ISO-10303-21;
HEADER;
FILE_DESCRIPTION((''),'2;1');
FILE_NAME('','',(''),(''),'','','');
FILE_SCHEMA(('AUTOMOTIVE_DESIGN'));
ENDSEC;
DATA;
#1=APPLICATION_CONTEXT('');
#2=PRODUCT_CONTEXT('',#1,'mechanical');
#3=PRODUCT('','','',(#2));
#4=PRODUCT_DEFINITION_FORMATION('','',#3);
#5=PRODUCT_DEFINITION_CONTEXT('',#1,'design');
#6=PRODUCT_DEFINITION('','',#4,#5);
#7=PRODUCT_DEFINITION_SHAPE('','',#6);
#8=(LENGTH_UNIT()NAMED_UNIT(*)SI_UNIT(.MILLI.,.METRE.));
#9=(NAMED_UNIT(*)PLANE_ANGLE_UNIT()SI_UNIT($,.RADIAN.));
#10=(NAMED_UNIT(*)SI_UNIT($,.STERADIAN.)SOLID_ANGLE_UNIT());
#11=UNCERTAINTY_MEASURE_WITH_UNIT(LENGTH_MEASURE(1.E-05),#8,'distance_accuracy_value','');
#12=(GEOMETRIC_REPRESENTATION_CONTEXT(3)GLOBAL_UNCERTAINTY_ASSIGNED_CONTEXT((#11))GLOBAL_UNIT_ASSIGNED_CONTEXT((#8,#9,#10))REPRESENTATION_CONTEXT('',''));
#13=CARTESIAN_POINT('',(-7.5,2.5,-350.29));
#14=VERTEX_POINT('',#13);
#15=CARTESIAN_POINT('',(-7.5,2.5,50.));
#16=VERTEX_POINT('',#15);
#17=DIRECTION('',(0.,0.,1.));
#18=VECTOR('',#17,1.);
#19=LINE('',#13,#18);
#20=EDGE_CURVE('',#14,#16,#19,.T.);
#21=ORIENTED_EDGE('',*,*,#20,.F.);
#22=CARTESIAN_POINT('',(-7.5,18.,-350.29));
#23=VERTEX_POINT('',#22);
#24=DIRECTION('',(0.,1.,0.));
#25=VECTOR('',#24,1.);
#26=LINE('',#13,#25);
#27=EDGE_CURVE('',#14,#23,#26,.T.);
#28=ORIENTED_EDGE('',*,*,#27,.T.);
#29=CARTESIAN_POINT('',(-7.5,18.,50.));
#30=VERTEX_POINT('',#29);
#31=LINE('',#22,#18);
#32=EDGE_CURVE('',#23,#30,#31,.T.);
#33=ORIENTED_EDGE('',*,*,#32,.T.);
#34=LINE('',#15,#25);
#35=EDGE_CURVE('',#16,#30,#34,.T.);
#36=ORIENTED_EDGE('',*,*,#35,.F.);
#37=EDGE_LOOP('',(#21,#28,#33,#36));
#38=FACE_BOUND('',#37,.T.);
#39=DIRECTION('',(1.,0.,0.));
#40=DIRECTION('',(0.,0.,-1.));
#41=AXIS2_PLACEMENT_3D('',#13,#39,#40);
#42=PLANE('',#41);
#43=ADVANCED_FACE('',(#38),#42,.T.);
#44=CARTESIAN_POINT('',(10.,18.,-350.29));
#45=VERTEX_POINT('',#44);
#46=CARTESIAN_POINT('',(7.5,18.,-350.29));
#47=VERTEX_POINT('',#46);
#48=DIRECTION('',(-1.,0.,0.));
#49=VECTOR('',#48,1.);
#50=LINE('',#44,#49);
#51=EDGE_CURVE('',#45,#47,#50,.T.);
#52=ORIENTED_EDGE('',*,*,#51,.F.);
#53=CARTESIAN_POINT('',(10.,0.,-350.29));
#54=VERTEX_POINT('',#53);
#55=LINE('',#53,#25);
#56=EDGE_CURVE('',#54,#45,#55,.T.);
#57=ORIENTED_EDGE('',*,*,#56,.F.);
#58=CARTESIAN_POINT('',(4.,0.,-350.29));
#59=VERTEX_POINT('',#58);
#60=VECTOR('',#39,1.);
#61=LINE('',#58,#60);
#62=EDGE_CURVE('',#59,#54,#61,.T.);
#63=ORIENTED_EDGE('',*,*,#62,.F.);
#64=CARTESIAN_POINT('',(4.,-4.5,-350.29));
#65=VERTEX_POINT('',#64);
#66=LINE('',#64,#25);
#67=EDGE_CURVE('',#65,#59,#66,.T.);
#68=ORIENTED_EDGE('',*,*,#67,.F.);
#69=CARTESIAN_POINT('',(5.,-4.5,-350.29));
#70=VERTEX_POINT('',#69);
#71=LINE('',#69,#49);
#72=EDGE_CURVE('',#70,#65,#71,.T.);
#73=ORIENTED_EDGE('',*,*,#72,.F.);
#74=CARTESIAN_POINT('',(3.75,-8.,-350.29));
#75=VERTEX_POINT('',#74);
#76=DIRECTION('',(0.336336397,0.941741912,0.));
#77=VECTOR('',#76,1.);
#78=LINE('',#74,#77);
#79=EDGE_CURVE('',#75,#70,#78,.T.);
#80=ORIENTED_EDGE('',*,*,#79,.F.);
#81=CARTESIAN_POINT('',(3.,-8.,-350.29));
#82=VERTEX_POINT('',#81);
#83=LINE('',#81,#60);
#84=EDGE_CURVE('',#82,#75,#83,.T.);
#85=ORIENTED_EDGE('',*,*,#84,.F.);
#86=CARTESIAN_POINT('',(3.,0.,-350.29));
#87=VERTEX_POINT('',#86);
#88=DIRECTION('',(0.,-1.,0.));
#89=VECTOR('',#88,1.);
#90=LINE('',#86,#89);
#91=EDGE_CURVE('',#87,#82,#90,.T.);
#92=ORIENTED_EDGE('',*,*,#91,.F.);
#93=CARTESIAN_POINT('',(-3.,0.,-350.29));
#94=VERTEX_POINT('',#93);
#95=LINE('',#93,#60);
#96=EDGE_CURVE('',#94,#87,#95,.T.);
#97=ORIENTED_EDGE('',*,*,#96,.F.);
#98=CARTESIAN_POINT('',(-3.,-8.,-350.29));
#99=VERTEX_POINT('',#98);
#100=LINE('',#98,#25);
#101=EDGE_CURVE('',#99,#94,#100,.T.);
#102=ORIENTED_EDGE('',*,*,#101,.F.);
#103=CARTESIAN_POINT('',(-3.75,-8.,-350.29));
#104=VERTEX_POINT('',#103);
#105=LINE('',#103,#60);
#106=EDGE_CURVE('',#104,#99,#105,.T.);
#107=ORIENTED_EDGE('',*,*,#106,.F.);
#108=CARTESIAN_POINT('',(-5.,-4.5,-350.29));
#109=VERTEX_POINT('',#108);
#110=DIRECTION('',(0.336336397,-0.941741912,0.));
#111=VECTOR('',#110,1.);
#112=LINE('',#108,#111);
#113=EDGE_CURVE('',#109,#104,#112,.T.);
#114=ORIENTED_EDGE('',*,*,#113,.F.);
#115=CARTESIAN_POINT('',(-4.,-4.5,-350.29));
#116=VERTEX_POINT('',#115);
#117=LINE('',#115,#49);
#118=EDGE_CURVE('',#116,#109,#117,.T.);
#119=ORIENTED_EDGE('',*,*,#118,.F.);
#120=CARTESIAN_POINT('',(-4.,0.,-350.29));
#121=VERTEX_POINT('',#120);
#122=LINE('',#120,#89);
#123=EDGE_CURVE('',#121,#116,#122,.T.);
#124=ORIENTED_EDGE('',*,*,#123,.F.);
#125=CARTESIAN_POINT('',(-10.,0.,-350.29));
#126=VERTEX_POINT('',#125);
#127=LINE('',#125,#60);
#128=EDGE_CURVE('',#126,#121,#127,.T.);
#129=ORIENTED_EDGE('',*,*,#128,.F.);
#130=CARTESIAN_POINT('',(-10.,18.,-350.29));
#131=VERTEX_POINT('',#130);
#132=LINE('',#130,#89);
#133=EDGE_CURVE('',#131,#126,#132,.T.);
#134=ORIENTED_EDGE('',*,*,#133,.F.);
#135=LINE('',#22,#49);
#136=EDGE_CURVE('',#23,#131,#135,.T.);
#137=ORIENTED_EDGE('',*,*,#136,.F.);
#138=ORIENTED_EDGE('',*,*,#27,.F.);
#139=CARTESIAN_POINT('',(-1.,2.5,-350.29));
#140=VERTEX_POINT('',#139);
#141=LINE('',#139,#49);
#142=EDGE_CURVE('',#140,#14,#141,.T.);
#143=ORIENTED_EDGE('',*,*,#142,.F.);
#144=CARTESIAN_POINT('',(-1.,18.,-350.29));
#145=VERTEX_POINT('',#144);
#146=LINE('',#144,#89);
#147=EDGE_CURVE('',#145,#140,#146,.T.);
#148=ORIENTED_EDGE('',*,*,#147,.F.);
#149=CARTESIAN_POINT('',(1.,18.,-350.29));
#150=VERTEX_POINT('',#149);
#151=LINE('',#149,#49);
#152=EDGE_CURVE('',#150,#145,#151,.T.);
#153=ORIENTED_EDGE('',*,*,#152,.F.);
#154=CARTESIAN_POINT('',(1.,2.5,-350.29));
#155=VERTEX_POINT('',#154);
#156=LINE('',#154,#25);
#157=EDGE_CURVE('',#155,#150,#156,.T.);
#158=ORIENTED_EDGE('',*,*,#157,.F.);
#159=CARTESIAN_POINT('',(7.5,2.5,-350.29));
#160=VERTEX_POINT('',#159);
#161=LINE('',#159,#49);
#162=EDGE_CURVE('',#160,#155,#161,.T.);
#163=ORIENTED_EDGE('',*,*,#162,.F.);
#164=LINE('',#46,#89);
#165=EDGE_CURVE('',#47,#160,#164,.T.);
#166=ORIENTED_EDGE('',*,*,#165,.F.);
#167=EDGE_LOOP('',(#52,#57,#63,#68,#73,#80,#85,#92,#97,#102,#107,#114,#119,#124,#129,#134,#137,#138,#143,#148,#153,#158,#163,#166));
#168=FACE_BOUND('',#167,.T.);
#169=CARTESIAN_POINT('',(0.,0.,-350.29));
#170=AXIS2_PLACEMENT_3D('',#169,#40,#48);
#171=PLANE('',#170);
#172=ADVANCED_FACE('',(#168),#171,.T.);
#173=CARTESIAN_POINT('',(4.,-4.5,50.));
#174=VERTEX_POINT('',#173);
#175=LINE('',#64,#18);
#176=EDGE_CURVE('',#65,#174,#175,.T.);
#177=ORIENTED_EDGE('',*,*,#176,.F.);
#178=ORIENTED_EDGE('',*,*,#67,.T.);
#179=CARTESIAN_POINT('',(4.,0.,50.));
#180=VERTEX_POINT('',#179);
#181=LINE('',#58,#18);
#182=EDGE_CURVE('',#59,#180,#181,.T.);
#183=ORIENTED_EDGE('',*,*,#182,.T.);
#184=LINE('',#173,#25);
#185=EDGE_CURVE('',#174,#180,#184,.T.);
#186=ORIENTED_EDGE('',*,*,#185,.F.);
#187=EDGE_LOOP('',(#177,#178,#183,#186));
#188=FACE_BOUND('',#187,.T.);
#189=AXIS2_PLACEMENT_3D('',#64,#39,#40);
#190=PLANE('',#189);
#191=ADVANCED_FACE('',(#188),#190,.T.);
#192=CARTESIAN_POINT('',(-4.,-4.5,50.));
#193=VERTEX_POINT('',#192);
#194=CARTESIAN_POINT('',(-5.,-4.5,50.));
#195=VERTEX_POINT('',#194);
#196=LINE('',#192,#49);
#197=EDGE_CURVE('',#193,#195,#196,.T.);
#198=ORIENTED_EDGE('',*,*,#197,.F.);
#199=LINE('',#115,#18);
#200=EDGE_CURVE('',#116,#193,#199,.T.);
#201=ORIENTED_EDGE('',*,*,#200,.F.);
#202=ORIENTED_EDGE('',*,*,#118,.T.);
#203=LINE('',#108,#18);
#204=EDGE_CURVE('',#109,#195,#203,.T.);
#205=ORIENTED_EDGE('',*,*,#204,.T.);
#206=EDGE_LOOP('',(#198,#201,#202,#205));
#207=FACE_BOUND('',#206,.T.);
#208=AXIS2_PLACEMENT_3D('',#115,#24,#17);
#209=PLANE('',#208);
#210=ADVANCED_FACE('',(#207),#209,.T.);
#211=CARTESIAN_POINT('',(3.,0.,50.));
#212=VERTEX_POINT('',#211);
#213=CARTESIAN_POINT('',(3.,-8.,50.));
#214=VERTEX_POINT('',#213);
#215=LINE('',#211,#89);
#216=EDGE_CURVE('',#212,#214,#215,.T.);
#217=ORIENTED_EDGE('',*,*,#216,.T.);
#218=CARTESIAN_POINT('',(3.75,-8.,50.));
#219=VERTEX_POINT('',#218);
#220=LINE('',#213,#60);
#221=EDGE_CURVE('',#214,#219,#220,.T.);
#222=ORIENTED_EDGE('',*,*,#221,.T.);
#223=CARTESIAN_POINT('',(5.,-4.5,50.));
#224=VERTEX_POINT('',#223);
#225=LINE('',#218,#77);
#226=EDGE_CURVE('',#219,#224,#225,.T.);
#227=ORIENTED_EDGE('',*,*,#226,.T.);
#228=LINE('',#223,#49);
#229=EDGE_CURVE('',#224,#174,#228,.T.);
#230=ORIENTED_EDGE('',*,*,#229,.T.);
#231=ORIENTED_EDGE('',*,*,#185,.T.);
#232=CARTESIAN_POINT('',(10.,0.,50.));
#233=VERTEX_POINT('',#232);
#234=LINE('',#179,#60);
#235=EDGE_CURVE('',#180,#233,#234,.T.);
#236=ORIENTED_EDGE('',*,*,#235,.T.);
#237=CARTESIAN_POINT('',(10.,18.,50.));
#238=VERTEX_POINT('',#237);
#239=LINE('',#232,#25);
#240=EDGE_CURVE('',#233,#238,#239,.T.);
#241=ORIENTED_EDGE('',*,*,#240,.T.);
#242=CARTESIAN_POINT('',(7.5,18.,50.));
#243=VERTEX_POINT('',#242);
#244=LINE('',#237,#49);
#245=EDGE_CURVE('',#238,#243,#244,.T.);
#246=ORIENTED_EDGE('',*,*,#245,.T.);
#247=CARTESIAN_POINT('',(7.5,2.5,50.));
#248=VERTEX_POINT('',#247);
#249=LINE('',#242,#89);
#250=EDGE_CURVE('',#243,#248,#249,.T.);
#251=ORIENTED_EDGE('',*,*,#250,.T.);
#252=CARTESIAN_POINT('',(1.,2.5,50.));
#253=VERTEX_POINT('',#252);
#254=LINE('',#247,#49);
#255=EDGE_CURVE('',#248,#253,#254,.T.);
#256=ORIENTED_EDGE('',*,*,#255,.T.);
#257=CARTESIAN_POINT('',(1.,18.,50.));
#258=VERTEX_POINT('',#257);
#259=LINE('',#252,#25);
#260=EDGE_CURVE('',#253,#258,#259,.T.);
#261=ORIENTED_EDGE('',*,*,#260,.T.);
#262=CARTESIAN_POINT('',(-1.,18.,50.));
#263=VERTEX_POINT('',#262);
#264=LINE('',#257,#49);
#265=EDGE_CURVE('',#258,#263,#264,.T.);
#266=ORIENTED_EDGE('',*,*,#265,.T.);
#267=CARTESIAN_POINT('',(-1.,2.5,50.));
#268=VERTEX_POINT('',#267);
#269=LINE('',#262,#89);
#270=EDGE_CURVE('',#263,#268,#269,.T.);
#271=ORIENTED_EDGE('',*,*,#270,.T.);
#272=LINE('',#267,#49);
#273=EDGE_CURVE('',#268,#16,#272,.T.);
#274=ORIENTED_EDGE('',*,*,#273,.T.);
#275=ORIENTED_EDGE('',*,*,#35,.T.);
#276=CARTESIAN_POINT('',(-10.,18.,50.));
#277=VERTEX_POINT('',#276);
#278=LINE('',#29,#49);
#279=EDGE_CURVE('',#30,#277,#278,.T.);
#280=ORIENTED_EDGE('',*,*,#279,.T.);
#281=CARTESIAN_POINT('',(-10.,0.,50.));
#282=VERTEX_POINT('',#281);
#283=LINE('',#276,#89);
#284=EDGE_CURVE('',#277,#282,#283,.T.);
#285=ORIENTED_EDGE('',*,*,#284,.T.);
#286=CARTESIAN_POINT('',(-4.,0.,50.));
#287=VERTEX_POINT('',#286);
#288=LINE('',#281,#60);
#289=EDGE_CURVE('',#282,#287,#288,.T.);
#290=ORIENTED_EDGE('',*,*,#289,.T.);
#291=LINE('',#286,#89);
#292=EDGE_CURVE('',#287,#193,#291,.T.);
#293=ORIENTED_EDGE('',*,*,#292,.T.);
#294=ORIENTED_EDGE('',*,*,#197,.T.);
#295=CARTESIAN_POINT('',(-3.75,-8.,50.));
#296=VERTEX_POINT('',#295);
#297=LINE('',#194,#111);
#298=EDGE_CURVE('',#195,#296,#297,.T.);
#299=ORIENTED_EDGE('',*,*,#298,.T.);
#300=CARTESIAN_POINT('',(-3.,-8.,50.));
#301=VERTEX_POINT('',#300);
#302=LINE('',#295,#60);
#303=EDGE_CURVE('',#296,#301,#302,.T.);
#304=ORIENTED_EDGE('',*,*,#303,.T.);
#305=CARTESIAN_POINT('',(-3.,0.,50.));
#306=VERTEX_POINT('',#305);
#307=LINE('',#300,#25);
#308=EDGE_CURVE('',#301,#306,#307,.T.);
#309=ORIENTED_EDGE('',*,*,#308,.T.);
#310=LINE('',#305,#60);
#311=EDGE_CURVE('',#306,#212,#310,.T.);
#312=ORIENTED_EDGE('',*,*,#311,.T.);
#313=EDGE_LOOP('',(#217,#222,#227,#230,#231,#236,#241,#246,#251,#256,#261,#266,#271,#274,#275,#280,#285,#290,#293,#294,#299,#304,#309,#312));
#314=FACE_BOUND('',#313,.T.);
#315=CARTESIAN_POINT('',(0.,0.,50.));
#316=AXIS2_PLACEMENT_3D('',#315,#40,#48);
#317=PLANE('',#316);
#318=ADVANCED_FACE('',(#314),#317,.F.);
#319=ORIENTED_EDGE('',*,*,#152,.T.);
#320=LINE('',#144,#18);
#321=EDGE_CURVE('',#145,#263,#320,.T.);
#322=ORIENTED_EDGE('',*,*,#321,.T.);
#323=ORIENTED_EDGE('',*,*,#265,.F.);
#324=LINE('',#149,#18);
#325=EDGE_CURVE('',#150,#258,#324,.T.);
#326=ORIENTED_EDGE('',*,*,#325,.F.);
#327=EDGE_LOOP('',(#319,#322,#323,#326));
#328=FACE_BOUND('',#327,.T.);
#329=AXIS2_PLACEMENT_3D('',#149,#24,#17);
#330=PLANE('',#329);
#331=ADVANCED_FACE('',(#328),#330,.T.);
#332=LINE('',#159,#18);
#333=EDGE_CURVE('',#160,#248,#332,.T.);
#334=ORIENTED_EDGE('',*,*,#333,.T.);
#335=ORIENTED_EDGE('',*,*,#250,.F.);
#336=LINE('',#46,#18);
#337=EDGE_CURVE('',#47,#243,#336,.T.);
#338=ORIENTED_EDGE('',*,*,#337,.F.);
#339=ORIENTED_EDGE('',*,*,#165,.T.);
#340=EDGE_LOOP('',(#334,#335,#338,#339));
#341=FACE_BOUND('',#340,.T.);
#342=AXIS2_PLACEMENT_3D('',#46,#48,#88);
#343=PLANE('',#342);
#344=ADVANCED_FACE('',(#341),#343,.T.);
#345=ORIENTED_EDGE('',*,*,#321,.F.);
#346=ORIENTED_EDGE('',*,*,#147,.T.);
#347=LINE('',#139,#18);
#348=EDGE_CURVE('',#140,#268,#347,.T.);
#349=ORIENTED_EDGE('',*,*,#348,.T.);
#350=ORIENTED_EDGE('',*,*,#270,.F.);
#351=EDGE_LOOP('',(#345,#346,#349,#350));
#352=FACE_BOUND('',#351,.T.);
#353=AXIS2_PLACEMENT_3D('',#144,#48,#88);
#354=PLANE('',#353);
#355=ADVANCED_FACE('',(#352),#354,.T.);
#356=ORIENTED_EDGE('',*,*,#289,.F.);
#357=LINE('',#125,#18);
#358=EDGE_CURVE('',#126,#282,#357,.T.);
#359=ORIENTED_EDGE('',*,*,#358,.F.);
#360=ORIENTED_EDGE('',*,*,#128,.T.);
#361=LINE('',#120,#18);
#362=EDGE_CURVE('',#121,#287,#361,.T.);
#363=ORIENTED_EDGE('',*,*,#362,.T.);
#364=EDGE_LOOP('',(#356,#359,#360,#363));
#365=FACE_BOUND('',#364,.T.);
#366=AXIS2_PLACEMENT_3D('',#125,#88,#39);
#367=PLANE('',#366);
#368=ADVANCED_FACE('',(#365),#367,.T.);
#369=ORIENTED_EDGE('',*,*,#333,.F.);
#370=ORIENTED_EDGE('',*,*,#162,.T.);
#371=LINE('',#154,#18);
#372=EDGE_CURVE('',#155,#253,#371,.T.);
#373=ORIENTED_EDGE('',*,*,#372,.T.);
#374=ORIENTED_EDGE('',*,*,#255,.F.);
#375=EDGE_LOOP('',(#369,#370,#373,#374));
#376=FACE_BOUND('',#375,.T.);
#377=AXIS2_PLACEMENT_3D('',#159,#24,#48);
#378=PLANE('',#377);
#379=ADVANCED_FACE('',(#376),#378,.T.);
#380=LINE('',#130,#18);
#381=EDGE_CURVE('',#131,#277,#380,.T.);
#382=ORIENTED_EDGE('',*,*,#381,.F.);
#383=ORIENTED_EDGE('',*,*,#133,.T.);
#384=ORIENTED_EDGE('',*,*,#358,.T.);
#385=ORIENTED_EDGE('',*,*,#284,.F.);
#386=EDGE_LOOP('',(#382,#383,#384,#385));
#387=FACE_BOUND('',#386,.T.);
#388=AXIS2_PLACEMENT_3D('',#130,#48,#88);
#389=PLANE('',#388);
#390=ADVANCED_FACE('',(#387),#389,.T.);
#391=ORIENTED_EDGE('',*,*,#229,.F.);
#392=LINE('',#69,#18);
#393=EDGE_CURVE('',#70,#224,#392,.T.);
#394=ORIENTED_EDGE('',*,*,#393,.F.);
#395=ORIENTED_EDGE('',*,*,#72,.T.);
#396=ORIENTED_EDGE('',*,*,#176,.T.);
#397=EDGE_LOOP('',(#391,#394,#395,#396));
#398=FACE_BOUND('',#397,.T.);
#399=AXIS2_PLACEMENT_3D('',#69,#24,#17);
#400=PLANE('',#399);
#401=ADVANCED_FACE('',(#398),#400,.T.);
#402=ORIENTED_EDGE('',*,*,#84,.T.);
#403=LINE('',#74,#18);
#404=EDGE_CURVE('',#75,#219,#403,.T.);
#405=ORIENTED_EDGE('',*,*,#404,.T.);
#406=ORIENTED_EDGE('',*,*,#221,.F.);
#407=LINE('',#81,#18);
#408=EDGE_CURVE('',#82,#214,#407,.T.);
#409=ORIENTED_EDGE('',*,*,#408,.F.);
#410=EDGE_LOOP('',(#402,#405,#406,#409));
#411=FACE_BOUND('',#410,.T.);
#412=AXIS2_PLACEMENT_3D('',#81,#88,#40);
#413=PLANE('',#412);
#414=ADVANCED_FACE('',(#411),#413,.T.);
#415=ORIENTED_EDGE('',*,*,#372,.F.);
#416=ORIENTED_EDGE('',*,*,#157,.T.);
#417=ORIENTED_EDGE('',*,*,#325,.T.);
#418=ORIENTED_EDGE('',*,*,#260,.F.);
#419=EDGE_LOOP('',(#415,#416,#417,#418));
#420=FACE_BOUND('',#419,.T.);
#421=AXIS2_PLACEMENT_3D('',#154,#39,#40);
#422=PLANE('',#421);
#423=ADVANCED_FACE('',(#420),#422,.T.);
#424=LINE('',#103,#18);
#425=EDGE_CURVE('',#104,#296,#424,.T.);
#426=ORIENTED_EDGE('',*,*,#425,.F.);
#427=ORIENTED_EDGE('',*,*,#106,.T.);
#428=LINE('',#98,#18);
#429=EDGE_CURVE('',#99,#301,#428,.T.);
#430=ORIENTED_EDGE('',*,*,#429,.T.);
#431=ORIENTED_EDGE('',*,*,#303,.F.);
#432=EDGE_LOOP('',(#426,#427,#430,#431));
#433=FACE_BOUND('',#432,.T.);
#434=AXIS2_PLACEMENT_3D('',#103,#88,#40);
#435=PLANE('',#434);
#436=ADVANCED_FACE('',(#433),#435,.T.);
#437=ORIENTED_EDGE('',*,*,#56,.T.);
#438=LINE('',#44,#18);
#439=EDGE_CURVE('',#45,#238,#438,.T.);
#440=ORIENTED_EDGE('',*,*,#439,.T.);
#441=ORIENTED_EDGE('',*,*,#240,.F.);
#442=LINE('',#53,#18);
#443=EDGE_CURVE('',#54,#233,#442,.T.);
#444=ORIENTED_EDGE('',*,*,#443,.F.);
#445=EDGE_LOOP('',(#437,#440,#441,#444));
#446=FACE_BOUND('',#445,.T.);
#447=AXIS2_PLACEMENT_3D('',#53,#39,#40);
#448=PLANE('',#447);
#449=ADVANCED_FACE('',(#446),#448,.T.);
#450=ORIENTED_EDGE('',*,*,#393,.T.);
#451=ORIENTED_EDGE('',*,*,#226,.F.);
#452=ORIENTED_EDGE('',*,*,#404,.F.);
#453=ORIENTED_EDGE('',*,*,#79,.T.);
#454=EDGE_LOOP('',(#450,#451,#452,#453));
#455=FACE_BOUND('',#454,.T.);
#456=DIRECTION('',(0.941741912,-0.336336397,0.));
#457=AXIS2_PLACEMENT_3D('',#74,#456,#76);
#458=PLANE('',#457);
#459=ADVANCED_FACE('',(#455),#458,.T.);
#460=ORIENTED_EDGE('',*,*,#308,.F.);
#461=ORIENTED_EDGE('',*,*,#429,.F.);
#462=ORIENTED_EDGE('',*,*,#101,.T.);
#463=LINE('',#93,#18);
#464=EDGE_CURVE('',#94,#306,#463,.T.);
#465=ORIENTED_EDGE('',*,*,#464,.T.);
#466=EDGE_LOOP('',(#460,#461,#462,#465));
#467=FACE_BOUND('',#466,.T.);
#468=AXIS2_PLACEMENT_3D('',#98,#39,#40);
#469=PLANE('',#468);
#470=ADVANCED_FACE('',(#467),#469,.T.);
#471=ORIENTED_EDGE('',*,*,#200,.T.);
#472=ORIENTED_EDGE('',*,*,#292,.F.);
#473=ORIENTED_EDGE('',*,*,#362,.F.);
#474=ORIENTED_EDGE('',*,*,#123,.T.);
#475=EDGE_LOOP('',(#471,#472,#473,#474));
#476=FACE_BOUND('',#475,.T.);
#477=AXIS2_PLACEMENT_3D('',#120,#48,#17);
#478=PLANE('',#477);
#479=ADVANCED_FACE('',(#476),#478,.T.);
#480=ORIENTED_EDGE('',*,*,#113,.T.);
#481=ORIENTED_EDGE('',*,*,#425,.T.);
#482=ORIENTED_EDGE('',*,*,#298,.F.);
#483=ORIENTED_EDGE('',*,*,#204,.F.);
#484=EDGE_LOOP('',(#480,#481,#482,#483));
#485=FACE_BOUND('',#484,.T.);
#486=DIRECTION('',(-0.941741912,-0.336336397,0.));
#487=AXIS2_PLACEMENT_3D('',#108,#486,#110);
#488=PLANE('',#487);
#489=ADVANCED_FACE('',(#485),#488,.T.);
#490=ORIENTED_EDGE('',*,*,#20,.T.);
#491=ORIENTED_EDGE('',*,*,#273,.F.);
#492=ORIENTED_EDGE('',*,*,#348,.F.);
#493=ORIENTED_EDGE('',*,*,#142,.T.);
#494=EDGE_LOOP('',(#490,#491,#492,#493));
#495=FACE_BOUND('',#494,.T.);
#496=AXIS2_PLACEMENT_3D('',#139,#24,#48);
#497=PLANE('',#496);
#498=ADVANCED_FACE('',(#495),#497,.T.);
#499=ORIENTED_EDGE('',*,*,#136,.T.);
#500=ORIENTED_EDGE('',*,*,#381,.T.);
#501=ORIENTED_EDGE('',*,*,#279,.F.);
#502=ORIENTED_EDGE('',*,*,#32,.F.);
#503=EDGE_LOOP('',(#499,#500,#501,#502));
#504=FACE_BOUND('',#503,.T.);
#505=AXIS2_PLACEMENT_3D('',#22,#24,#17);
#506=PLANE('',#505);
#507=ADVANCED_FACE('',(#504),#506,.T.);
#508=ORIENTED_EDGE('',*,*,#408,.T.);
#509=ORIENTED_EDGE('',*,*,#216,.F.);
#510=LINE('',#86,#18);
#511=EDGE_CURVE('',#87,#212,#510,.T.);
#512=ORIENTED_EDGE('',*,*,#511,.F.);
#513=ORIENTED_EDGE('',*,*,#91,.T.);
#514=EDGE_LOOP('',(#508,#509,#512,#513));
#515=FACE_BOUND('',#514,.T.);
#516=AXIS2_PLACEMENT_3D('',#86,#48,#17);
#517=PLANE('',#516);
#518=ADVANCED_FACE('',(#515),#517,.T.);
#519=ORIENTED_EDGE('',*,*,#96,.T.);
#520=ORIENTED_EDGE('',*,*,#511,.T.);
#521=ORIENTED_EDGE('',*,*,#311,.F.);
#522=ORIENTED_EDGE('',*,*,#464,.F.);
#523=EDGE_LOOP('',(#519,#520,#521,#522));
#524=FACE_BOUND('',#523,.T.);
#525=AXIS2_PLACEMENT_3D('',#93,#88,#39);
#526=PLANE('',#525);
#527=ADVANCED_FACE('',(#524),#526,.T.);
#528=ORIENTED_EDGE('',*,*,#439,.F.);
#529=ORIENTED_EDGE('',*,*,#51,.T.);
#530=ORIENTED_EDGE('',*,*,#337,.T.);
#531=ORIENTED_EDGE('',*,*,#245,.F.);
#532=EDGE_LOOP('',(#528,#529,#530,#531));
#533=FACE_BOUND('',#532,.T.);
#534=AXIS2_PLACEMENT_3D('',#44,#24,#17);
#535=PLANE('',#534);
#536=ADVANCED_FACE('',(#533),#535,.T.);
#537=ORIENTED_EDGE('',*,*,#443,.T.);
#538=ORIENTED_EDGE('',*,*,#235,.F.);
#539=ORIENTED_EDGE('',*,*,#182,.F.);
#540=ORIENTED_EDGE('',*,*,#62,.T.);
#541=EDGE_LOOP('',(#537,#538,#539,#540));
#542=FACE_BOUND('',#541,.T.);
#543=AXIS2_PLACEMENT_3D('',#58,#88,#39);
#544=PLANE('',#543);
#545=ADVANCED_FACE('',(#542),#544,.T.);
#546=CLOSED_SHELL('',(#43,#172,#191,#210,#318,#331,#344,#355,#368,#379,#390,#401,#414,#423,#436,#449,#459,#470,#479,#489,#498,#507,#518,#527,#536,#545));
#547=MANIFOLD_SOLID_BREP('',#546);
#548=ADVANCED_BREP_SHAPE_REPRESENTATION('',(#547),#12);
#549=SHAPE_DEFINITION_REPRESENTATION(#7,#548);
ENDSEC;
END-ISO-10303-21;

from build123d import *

# Parameters (mm, degrees)
BOSS_EXTRU_1_DEPTH = 400.29


with BuildPart() as part:
    # Esquisse1 → Boss.-Extru.1 (new body)
    with BuildSketch(Plane.XY.offset(50)):
        Polygon((-1, 2.5), (-7.5, 2.5), (-7.5, 17.999999998), (-10, 17.999999998), (-10, 0), (-4, 0), (-4, -4.5), (-5, -4.5), (-3.75, -8), (-3, -8), (-3, 0), (3, 0), (3, -8), (3.75, -8), (5, -4.5), (4, -4.5), (4, 0), (10, 0), (10, 17.999999998), (7.5, 17.999999998), (7.5, 2.5), (1, 2.5), (1, 17.999999998), (-1, 17.999999998), align=None)
    extrude(amount=-BOSS_EXTRU_1_DEPTH)


solid = part.part
